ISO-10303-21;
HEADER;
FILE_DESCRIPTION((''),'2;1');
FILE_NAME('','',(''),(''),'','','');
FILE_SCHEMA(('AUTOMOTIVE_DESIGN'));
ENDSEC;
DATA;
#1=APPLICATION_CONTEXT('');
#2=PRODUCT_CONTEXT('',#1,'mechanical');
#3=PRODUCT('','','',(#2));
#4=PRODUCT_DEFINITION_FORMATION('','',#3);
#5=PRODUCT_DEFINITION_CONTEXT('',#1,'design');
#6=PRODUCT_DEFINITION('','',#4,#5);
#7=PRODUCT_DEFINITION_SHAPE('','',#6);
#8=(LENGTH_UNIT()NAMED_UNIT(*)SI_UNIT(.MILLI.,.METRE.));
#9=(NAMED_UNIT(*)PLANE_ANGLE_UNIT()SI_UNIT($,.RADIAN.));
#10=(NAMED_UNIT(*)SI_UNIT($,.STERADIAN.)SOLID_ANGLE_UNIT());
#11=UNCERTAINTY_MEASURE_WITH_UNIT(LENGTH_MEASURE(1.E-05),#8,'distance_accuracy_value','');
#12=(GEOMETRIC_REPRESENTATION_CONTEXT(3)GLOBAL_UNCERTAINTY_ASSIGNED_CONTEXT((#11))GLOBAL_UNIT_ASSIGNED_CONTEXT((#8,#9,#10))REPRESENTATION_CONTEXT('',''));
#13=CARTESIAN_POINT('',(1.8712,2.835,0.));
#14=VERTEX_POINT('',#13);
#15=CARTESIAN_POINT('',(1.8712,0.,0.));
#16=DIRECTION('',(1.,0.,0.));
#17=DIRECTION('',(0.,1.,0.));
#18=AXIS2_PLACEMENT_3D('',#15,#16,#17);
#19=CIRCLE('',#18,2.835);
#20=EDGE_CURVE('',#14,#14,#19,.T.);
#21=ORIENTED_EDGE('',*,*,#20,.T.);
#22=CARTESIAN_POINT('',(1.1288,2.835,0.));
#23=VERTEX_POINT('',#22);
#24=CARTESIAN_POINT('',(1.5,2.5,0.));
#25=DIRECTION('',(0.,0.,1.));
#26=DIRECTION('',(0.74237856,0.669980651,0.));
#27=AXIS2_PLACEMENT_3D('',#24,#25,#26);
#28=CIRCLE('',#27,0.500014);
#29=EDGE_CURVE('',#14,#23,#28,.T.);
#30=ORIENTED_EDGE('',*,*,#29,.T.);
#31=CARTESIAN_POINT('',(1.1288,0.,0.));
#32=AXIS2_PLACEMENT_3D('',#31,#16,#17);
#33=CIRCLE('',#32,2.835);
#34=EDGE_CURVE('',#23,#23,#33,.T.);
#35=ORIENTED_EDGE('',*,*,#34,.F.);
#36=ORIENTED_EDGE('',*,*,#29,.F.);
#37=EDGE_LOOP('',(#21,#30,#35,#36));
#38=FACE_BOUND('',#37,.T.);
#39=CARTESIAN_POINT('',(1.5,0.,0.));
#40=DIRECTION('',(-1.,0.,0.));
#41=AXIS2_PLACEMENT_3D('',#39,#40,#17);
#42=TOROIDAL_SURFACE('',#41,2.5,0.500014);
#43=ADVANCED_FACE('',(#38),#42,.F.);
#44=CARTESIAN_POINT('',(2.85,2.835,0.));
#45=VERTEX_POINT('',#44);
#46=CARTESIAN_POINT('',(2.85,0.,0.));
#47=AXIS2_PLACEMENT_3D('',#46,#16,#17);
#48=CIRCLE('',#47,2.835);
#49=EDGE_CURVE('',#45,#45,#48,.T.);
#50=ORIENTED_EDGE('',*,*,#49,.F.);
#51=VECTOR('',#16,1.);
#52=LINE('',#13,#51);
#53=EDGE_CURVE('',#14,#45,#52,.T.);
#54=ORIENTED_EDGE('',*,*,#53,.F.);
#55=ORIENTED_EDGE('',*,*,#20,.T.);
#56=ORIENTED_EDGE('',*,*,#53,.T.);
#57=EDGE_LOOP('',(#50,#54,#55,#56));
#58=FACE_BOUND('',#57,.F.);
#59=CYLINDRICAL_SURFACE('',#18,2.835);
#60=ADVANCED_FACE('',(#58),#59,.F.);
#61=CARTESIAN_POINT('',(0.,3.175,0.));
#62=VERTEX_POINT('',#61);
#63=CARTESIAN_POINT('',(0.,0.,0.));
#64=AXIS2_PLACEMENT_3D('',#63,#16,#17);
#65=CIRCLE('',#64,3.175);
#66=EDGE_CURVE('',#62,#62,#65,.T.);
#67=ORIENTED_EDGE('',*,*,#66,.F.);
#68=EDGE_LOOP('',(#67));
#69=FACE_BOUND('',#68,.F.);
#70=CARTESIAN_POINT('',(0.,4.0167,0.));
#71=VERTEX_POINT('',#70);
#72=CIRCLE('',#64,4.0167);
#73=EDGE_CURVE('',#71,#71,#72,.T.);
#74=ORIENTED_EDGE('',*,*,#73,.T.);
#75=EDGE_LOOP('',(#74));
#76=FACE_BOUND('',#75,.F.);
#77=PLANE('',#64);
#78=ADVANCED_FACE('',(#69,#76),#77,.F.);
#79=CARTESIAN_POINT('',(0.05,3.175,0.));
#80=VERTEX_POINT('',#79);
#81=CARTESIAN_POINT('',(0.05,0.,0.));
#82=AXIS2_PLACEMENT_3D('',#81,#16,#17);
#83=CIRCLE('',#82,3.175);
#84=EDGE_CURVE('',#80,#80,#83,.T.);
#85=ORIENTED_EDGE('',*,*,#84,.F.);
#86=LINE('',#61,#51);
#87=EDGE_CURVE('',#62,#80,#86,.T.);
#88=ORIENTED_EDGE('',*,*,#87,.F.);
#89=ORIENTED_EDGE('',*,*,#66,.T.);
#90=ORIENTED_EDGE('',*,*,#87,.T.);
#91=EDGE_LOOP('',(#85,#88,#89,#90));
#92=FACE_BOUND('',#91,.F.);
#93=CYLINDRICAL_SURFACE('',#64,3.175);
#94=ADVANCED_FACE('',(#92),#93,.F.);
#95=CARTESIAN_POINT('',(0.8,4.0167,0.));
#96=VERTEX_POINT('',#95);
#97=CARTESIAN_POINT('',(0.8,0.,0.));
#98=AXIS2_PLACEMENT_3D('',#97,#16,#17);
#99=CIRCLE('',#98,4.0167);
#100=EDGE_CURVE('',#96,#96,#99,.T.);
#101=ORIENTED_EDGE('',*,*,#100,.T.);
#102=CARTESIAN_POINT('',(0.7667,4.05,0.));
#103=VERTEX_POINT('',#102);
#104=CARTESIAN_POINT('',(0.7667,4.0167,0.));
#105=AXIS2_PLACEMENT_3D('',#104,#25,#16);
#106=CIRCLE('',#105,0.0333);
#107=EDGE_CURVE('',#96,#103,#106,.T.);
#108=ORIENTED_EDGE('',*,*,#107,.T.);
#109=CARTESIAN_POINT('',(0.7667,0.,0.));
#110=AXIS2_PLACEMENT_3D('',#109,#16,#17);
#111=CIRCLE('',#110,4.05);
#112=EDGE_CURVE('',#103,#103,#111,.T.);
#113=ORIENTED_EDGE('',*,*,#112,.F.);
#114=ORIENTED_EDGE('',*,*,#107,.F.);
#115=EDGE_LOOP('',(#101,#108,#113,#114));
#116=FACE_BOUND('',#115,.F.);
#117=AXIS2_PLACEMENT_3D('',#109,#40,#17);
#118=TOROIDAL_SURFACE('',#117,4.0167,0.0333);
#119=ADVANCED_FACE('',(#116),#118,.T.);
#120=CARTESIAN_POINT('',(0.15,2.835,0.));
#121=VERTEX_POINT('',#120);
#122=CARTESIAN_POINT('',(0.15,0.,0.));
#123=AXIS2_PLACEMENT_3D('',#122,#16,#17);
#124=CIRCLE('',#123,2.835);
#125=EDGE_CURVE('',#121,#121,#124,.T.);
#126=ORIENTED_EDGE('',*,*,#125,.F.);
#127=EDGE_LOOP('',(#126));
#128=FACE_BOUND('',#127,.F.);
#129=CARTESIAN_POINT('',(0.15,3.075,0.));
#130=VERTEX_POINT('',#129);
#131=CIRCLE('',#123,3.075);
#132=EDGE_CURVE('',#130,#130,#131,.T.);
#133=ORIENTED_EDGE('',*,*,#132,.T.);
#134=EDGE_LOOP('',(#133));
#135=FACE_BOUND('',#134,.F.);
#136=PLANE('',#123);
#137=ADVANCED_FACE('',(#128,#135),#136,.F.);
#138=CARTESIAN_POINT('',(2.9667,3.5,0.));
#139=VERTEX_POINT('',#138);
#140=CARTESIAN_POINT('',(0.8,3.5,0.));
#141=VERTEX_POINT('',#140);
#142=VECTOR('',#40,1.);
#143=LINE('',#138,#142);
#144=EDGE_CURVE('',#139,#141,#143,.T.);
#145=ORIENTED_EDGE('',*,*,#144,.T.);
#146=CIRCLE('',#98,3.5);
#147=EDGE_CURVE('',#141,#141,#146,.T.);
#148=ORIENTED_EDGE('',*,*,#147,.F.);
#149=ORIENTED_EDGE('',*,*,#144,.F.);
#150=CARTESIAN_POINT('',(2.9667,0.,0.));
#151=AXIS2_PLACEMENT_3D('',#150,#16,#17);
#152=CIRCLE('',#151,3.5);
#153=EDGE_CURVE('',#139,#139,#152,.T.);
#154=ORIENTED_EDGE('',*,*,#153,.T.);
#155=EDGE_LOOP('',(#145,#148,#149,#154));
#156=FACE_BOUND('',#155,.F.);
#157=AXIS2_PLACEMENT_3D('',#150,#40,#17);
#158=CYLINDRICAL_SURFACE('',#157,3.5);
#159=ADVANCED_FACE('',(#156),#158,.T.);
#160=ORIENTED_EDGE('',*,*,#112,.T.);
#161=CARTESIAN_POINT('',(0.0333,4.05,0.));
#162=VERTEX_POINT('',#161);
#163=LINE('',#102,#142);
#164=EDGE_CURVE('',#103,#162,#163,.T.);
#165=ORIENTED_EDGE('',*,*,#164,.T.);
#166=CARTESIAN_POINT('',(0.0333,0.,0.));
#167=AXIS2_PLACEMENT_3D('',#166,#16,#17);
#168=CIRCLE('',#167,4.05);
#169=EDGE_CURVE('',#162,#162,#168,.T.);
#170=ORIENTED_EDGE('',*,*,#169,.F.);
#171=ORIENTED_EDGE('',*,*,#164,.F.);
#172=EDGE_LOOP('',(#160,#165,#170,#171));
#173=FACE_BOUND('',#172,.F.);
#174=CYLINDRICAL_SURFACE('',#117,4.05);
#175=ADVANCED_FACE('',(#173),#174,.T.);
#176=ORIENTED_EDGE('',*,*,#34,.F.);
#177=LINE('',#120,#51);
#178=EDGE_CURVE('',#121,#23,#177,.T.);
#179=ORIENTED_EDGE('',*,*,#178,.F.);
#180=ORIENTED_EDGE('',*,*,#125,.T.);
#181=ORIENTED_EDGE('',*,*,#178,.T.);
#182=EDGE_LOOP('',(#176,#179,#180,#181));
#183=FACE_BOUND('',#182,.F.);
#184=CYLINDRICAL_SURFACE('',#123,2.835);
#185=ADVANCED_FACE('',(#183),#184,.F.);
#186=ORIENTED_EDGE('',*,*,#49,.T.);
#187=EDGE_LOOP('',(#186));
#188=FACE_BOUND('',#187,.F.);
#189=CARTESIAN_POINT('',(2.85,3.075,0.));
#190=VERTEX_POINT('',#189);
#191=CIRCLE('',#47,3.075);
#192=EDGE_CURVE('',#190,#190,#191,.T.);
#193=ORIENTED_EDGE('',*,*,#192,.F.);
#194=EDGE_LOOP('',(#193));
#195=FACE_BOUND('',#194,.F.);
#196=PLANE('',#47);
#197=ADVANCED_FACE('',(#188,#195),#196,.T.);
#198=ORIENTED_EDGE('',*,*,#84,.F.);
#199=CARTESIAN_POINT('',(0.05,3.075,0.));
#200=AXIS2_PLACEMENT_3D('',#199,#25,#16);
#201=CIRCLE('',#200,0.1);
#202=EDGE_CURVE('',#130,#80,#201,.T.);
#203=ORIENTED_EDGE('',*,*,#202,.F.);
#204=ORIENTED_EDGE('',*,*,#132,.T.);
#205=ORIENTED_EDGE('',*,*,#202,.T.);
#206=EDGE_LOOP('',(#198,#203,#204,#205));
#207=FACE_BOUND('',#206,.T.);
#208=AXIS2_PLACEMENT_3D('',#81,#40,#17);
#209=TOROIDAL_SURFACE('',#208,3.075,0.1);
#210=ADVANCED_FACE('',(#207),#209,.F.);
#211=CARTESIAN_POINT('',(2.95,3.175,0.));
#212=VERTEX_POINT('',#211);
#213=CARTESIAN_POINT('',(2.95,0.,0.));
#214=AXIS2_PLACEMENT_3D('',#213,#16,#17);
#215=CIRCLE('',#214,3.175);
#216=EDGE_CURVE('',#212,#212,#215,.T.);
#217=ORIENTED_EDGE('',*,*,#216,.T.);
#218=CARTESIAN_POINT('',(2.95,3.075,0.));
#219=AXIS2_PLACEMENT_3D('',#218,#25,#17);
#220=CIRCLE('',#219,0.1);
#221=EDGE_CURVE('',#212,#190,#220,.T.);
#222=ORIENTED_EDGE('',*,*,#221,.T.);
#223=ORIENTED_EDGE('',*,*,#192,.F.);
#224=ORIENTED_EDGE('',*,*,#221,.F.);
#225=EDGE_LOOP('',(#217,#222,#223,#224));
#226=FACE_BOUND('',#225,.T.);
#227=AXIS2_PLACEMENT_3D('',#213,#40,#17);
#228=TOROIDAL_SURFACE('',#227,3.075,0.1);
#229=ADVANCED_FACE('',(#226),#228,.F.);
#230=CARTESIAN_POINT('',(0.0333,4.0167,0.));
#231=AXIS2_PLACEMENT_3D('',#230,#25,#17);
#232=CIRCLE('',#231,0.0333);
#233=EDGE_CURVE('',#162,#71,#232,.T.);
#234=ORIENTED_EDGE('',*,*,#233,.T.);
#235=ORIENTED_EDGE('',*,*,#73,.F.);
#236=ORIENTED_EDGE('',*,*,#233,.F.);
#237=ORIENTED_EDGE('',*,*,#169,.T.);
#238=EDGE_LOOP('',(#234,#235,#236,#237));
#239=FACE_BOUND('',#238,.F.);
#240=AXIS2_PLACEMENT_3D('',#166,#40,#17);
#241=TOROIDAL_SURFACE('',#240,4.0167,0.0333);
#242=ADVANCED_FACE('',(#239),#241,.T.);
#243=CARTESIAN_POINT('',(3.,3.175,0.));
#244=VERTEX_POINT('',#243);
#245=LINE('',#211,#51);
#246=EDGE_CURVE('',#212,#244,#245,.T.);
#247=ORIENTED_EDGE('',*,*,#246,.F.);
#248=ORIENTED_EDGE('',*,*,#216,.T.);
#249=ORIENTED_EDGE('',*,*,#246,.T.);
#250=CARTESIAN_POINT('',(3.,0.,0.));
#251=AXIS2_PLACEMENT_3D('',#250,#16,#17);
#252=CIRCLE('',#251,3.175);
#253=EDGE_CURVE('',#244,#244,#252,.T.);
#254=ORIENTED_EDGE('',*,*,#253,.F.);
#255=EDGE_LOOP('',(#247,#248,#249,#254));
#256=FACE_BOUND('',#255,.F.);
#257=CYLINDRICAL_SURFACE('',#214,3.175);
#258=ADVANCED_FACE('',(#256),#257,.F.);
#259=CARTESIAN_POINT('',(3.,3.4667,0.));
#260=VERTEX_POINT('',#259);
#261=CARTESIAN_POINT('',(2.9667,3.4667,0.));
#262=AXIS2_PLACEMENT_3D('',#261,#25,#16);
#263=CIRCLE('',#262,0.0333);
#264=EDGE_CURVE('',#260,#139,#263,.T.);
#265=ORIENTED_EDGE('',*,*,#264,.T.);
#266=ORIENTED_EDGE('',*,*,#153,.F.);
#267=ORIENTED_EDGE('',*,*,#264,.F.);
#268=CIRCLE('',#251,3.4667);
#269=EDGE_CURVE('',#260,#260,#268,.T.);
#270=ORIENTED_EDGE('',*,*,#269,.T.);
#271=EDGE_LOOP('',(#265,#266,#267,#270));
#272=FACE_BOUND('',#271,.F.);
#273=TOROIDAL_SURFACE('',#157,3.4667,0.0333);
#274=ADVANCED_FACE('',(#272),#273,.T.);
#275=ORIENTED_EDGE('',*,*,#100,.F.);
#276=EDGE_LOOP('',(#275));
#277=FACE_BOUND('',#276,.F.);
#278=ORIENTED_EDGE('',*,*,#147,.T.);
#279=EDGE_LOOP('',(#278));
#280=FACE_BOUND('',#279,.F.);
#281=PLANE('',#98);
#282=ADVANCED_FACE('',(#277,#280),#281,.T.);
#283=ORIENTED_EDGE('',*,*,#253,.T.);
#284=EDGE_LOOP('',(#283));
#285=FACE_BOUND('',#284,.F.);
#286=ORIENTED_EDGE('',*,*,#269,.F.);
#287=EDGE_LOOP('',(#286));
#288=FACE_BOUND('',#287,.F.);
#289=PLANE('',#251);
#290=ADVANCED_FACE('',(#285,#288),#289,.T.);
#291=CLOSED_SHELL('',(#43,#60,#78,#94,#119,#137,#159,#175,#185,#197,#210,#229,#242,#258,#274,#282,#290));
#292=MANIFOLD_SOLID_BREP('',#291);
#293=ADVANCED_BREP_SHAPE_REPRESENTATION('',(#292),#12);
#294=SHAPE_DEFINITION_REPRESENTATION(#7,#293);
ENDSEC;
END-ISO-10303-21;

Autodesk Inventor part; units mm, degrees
ref_plane "YZ Plane" through (0, 0, 0) normal (1, 0, 0) x (0, 1, 0)
ref_plane "XZ Plane" through (0, 0, 0) normal (0, 1, 0) x (-1, 0, 0)
ref_plane "XY Plane" through (0, 0, 0) normal (0, 0, 1) x (1, 0, 0)
sketch "Sketch_20" plane through (0, 0, 0) normal (0, 0, 1) x (1, 0, 0)
  line L0 (50, 0) -> (-50, 0)
  line L1 (0, 4.0167) -> (0, 3.175)
  line L2 (0, 3.175) -> (0.05, 3.175)
  arc A0 (0.15, 3.075) -> (0.05, 3.175) centre (0.05, 3.075) ccw
  line L3 (0.15, 3.075) -> (0.15, 2.835)
  line L4 (0.15, 2.835) -> (1.1288, 2.835)
  arc A1 (1.8712, 2.835) -> (1.1288, 2.835) centre (1.5, 2.5) ccw
  line L5 (1.8712, 2.835) -> (2.85, 2.835)
  line L6 (2.85, 2.835) -> (2.85, 3.075)
  arc A2 (2.95, 3.175) -> (2.85, 3.075) centre (2.95, 3.075) ccw
  line L7 (2.95, 3.175) -> (3, 3.175)
  line L8 (3, 3.175) -> (3, 3.4667)
  arc A3 (3, 3.4667) -> (2.9667, 3.5) centre (2.9667, 3.4667) ccw
  line L9 (2.9667, 3.5) -> (0.8, 3.5)
  line L10 (0.8, 3.5) -> (0.8, 4.0167)
  arc A4 (0.8, 4.0167) -> (0.7667, 4.05) centre (0.7667, 4.0167) ccw
  line L11 (0.7667, 4.05) -> (0.0333, 4.05)
  arc A5 (0.0333, 4.05) -> (0, 4.0167) centre (0.0333, 4.0167) ccw
revolve "Revolution1" add sketch "Sketch_20" angle 360 about axis through (50, 0, 0) along (1, 0, 0)
properties part number "W 638/3 R-2Z_PART2"
